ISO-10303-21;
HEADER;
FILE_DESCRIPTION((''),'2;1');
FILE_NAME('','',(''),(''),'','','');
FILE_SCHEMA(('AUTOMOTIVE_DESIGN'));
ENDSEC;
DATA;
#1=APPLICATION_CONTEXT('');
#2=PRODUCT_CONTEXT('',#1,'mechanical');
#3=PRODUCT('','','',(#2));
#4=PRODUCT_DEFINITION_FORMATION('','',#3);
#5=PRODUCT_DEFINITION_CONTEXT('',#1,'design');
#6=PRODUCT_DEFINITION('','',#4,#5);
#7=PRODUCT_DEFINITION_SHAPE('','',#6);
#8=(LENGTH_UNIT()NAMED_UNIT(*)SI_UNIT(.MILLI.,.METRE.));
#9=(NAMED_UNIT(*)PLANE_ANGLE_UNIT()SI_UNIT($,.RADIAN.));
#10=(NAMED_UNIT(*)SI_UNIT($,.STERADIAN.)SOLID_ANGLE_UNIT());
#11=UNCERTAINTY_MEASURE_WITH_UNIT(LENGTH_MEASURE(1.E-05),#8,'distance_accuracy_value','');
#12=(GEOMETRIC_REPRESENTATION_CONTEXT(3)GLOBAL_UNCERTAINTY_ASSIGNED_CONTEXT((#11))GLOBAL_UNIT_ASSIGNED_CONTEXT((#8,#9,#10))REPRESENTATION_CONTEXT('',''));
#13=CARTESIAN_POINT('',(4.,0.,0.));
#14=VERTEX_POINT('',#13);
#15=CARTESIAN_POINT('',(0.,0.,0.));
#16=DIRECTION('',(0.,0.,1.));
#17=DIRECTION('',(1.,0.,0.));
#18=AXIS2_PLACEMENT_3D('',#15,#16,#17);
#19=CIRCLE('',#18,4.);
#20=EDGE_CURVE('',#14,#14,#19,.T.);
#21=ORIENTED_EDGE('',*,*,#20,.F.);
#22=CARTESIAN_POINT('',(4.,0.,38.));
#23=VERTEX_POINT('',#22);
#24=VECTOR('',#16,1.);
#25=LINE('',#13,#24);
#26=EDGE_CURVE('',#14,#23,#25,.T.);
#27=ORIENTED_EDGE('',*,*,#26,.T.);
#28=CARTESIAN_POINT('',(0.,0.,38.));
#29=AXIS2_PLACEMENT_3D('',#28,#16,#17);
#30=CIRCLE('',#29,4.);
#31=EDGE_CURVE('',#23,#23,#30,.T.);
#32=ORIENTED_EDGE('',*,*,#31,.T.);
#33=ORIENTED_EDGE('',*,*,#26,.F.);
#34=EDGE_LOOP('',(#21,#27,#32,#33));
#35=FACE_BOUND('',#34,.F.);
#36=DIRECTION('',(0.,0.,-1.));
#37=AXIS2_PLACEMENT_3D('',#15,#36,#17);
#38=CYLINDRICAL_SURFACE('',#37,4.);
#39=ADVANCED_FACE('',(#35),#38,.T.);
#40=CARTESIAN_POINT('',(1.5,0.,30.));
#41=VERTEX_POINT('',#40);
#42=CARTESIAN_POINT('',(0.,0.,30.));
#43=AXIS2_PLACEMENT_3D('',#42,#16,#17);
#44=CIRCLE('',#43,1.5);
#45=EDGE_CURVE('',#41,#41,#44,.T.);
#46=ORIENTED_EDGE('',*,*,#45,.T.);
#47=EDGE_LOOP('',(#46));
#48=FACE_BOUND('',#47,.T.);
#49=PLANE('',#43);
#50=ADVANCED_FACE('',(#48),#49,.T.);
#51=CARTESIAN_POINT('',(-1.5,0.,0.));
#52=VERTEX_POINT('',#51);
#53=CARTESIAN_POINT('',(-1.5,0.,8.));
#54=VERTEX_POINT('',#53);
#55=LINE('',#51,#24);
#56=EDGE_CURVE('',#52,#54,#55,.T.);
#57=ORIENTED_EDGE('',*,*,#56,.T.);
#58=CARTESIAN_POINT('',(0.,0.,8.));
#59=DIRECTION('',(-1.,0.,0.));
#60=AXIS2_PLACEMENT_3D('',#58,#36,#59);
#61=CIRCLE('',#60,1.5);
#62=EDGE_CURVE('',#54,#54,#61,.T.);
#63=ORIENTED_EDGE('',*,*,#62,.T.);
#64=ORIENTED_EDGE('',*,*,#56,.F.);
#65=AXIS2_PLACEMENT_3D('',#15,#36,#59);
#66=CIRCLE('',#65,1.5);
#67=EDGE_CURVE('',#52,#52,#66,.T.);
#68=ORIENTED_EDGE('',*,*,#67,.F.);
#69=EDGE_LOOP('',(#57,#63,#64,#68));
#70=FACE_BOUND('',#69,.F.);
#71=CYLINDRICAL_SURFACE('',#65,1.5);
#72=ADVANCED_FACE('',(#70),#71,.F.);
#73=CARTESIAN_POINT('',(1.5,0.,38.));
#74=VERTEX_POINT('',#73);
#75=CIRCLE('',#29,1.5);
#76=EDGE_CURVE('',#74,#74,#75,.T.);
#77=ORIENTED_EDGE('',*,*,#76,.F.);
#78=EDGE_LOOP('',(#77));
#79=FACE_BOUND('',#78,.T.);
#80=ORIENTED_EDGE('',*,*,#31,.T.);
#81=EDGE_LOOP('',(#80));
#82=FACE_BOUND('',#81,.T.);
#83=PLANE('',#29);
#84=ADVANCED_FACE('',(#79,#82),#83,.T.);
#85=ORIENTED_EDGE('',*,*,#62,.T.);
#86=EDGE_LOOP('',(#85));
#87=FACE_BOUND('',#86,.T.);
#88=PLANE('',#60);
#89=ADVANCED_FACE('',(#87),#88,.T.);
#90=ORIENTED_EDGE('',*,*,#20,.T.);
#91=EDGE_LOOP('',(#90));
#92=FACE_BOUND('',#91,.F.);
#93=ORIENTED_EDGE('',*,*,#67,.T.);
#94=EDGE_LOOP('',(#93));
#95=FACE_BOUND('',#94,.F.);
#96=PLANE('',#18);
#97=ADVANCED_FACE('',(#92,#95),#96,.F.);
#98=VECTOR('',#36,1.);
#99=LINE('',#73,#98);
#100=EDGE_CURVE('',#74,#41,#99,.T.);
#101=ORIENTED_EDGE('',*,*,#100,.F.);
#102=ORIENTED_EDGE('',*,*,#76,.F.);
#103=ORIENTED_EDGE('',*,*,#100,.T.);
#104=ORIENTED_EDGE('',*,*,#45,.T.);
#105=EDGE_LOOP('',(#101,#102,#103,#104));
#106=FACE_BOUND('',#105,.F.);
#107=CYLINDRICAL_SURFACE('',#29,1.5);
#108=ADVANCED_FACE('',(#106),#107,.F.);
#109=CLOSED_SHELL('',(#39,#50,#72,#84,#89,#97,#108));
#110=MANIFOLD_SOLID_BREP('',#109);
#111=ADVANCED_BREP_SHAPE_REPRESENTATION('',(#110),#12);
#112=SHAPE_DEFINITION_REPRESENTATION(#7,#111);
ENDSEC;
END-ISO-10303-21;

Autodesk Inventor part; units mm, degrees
ref_plane "YZ Plane" through (0, 0, 0) normal (1, 0, 0) x (0, 1, 0)
ref_plane "XZ Plane" through (0, 0, 0) normal (0, 1, 0) x (-1, 0, 0)
ref_plane "XY Plane" through (0, 0, 0) normal (0, 0, 1) x (1, 0, 0)
sketch "スケッチ1" plane through (0, 0, 0) normal (0, 0, 1) x (1, 0, 0)
  circle A0 centre (0, 0) radius 4
  circle A1 centre (0, 0) radius 2
  dimension "d0" = 8
  dimension "d1" = 4
extrude "押し出し1" add sketch "スケッチ1" along normal blind 38 contours A0 | A1
sketch "スケッチ2" plane through (0, 0, 38) normal (0, 0, 1) x (1, 0, 0)
  circle A0 centre (0, 0) radius 1.5
  dimension "d4" = 3
extrude "押し出し2" cut sketch "スケッチ2" against normal blind 8
sketch "スケッチ3" plane through (0, 0, 0) normal (0, 0, -1) x (-1, 0, 0)
  circle A0 centre (0, 0) radius 1.5
  dimension "d7" = 3
extrude "押し出し3" cut sketch "スケッチ3" against normal blind 8
properties part number "スペーサーm3,38,Φ8,自作" material "アルミニウム 7075"
